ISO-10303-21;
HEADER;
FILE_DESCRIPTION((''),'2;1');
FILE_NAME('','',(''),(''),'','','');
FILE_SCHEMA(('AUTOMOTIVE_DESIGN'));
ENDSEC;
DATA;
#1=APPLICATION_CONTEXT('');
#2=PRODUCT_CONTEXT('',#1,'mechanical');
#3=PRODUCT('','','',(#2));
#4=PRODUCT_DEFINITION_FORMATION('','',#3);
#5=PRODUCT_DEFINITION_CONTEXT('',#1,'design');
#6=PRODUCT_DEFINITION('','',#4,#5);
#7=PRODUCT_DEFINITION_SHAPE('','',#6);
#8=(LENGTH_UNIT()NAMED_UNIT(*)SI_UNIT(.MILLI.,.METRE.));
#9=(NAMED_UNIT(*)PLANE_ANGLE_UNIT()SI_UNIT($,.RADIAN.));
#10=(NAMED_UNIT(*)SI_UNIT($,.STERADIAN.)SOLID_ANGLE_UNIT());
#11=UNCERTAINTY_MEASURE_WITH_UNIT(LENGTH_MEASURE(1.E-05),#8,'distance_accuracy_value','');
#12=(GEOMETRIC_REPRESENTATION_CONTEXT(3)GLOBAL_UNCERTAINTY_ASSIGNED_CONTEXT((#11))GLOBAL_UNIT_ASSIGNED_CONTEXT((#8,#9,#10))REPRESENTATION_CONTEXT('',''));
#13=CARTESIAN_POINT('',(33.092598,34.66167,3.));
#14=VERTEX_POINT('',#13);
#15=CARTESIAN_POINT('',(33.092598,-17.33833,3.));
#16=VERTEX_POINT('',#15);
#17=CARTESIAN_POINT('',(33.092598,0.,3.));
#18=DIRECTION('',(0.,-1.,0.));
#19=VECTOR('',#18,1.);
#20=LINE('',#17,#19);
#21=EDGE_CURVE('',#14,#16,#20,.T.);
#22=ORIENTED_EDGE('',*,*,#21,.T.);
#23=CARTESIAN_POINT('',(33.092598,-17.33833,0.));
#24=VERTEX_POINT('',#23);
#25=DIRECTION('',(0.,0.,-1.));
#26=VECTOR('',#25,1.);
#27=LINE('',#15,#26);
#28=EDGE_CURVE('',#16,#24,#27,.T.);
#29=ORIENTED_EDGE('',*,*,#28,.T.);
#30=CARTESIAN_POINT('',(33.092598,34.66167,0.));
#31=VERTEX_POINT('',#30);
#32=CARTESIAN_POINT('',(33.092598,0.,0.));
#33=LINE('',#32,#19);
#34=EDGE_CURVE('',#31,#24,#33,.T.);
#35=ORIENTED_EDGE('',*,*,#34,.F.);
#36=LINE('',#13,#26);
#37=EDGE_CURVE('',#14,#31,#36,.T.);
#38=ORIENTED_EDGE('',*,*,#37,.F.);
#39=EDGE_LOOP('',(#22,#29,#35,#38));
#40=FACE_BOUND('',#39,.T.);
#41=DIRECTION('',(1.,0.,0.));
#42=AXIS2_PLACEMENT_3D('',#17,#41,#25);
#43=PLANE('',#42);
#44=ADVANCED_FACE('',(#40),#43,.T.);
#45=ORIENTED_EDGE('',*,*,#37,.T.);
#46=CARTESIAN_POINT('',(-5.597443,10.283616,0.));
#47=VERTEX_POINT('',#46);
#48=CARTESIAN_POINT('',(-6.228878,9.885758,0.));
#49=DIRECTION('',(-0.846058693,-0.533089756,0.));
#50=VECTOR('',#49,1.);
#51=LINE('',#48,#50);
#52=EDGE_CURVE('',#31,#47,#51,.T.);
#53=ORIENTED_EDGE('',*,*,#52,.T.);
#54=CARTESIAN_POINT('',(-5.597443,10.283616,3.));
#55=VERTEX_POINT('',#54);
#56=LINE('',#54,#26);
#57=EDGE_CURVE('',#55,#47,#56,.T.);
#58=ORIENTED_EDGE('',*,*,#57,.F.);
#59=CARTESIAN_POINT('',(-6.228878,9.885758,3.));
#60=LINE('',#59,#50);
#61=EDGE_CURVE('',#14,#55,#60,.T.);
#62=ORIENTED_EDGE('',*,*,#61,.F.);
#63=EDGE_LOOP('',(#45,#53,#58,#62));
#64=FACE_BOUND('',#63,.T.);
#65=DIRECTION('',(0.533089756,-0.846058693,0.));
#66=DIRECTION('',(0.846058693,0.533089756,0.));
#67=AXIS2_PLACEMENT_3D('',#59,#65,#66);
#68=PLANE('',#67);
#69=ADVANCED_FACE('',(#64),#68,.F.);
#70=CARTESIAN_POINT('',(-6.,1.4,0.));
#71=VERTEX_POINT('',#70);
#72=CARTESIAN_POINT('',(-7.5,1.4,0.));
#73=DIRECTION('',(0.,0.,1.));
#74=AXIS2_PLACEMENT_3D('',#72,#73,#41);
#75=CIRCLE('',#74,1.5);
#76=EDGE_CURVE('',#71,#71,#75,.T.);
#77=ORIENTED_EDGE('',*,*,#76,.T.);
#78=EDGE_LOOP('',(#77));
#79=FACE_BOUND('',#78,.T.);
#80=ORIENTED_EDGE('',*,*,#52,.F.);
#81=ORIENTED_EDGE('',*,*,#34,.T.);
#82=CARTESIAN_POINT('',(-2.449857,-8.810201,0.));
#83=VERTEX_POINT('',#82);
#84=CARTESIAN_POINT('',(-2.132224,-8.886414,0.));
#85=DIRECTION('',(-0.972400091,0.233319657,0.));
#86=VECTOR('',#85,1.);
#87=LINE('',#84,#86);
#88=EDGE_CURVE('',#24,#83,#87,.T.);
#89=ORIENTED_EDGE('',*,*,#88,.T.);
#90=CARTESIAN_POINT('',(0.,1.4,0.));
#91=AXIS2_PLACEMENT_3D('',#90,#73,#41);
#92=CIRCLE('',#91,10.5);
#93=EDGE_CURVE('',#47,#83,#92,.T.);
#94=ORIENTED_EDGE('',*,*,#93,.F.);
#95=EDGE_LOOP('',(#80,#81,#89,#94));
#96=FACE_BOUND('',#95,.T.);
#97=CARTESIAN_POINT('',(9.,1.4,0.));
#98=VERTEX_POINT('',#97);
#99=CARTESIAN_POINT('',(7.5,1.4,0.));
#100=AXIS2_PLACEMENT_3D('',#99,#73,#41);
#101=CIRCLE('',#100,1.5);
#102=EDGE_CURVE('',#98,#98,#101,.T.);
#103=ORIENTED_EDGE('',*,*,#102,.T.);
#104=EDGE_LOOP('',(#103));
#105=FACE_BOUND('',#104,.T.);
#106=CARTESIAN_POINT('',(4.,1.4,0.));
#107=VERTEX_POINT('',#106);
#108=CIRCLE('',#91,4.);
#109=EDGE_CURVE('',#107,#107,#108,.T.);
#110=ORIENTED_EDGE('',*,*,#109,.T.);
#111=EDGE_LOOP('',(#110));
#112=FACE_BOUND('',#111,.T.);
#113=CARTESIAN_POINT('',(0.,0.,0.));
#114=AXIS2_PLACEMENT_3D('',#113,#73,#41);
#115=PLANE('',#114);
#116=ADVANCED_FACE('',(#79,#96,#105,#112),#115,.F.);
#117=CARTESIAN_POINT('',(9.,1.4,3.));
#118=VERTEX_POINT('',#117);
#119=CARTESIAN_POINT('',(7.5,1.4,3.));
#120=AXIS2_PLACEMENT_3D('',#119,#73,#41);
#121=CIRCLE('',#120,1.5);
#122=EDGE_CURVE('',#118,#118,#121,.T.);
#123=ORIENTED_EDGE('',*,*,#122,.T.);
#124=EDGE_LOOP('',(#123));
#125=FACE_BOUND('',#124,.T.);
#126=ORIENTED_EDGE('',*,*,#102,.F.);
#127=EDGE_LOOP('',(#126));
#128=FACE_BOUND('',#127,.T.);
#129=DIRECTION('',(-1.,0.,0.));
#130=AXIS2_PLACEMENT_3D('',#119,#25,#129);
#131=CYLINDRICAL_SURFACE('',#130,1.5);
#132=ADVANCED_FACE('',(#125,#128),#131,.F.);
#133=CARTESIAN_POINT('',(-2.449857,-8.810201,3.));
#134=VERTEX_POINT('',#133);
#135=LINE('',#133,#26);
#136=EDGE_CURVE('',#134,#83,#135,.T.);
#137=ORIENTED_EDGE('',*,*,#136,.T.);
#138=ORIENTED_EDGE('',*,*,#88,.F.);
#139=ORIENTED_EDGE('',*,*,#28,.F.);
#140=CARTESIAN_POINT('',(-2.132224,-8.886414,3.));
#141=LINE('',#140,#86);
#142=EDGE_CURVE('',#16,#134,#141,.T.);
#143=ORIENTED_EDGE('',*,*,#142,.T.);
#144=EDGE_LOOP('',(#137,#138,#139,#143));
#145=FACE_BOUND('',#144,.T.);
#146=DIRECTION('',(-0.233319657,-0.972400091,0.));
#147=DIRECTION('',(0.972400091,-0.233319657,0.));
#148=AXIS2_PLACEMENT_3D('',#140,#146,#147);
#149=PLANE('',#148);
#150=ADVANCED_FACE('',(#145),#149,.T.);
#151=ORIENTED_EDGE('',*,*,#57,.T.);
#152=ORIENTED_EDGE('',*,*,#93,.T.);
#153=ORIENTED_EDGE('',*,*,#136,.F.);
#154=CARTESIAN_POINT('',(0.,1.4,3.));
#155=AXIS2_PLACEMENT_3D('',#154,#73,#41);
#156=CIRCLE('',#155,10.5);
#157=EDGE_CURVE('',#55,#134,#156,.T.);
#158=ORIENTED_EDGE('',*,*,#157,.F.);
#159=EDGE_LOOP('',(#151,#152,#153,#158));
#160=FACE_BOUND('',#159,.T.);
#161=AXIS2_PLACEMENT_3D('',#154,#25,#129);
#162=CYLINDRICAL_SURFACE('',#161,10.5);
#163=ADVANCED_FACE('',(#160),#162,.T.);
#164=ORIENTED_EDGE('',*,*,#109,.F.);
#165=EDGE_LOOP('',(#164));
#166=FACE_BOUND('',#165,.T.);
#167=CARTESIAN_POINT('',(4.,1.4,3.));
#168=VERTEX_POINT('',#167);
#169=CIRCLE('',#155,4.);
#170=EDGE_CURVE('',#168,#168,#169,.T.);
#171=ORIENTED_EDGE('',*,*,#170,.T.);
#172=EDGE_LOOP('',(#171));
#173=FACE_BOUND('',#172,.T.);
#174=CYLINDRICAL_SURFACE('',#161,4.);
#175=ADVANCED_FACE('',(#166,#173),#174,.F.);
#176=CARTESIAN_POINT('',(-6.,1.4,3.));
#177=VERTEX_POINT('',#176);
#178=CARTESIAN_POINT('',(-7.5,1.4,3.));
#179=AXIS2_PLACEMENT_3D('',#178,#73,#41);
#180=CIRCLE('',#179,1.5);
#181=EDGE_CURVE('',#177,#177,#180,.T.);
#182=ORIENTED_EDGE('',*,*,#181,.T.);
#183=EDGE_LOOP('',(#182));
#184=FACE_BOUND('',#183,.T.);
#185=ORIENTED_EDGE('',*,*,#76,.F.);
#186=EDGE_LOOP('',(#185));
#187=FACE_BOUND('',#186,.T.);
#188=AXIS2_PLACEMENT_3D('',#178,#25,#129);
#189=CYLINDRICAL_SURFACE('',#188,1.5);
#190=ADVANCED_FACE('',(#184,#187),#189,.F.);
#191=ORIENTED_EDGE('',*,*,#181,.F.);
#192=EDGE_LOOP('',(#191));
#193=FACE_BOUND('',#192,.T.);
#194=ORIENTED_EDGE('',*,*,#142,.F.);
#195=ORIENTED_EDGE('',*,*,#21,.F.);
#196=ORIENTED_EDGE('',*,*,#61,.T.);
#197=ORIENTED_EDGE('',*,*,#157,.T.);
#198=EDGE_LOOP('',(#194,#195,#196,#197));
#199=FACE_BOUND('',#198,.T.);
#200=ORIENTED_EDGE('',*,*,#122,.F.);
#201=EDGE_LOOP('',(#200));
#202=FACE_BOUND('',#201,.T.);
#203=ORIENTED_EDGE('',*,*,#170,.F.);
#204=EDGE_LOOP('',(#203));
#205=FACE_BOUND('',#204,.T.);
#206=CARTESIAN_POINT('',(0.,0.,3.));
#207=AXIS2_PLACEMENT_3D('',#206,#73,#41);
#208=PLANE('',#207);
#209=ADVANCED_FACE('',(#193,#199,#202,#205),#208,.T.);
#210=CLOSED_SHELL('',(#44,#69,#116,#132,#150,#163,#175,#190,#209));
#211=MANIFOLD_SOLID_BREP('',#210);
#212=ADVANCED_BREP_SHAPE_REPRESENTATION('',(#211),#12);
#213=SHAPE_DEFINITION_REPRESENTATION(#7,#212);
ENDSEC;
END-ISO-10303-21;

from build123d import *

# Parameters (mm, degrees)
MODEL_R                 = 1.5
MODEL_R_2               = 4.000000302
SALIENTE_EXTRUIR1_DEPTH = 3


with BuildPart() as part:
    # Model → Saliente-Extruir1 (new body)
    with BuildSketch(Plane.XY):
        with BuildLine():
            Line((33.092598, 34.66167), (33.092598, -17.33833))
            Line((33.092598, -17.33833), (-2.449857, -8.810201))
            ThreePointArc((-2.449857, -8.810201), (-10.360174953, -0.307858771), (-5.597443, 10.283616))
            Line((-5.597443, 10.283616), (33.092598, 34.66167))
        make_face()
        with Locations((7.5, 1.4)):
            Circle(MODEL_R, mode=Mode.SUBTRACT)
        with Locations((-7.5, 1.4)):
            Circle(MODEL_R, mode=Mode.SUBTRACT)
        with Locations((-3.02e-07, 1.399999887)):
            Circle(MODEL_R_2, mode=Mode.SUBTRACT)
    extrude(amount=SALIENTE_EXTRUIR1_DEPTH)


solid = part.part
